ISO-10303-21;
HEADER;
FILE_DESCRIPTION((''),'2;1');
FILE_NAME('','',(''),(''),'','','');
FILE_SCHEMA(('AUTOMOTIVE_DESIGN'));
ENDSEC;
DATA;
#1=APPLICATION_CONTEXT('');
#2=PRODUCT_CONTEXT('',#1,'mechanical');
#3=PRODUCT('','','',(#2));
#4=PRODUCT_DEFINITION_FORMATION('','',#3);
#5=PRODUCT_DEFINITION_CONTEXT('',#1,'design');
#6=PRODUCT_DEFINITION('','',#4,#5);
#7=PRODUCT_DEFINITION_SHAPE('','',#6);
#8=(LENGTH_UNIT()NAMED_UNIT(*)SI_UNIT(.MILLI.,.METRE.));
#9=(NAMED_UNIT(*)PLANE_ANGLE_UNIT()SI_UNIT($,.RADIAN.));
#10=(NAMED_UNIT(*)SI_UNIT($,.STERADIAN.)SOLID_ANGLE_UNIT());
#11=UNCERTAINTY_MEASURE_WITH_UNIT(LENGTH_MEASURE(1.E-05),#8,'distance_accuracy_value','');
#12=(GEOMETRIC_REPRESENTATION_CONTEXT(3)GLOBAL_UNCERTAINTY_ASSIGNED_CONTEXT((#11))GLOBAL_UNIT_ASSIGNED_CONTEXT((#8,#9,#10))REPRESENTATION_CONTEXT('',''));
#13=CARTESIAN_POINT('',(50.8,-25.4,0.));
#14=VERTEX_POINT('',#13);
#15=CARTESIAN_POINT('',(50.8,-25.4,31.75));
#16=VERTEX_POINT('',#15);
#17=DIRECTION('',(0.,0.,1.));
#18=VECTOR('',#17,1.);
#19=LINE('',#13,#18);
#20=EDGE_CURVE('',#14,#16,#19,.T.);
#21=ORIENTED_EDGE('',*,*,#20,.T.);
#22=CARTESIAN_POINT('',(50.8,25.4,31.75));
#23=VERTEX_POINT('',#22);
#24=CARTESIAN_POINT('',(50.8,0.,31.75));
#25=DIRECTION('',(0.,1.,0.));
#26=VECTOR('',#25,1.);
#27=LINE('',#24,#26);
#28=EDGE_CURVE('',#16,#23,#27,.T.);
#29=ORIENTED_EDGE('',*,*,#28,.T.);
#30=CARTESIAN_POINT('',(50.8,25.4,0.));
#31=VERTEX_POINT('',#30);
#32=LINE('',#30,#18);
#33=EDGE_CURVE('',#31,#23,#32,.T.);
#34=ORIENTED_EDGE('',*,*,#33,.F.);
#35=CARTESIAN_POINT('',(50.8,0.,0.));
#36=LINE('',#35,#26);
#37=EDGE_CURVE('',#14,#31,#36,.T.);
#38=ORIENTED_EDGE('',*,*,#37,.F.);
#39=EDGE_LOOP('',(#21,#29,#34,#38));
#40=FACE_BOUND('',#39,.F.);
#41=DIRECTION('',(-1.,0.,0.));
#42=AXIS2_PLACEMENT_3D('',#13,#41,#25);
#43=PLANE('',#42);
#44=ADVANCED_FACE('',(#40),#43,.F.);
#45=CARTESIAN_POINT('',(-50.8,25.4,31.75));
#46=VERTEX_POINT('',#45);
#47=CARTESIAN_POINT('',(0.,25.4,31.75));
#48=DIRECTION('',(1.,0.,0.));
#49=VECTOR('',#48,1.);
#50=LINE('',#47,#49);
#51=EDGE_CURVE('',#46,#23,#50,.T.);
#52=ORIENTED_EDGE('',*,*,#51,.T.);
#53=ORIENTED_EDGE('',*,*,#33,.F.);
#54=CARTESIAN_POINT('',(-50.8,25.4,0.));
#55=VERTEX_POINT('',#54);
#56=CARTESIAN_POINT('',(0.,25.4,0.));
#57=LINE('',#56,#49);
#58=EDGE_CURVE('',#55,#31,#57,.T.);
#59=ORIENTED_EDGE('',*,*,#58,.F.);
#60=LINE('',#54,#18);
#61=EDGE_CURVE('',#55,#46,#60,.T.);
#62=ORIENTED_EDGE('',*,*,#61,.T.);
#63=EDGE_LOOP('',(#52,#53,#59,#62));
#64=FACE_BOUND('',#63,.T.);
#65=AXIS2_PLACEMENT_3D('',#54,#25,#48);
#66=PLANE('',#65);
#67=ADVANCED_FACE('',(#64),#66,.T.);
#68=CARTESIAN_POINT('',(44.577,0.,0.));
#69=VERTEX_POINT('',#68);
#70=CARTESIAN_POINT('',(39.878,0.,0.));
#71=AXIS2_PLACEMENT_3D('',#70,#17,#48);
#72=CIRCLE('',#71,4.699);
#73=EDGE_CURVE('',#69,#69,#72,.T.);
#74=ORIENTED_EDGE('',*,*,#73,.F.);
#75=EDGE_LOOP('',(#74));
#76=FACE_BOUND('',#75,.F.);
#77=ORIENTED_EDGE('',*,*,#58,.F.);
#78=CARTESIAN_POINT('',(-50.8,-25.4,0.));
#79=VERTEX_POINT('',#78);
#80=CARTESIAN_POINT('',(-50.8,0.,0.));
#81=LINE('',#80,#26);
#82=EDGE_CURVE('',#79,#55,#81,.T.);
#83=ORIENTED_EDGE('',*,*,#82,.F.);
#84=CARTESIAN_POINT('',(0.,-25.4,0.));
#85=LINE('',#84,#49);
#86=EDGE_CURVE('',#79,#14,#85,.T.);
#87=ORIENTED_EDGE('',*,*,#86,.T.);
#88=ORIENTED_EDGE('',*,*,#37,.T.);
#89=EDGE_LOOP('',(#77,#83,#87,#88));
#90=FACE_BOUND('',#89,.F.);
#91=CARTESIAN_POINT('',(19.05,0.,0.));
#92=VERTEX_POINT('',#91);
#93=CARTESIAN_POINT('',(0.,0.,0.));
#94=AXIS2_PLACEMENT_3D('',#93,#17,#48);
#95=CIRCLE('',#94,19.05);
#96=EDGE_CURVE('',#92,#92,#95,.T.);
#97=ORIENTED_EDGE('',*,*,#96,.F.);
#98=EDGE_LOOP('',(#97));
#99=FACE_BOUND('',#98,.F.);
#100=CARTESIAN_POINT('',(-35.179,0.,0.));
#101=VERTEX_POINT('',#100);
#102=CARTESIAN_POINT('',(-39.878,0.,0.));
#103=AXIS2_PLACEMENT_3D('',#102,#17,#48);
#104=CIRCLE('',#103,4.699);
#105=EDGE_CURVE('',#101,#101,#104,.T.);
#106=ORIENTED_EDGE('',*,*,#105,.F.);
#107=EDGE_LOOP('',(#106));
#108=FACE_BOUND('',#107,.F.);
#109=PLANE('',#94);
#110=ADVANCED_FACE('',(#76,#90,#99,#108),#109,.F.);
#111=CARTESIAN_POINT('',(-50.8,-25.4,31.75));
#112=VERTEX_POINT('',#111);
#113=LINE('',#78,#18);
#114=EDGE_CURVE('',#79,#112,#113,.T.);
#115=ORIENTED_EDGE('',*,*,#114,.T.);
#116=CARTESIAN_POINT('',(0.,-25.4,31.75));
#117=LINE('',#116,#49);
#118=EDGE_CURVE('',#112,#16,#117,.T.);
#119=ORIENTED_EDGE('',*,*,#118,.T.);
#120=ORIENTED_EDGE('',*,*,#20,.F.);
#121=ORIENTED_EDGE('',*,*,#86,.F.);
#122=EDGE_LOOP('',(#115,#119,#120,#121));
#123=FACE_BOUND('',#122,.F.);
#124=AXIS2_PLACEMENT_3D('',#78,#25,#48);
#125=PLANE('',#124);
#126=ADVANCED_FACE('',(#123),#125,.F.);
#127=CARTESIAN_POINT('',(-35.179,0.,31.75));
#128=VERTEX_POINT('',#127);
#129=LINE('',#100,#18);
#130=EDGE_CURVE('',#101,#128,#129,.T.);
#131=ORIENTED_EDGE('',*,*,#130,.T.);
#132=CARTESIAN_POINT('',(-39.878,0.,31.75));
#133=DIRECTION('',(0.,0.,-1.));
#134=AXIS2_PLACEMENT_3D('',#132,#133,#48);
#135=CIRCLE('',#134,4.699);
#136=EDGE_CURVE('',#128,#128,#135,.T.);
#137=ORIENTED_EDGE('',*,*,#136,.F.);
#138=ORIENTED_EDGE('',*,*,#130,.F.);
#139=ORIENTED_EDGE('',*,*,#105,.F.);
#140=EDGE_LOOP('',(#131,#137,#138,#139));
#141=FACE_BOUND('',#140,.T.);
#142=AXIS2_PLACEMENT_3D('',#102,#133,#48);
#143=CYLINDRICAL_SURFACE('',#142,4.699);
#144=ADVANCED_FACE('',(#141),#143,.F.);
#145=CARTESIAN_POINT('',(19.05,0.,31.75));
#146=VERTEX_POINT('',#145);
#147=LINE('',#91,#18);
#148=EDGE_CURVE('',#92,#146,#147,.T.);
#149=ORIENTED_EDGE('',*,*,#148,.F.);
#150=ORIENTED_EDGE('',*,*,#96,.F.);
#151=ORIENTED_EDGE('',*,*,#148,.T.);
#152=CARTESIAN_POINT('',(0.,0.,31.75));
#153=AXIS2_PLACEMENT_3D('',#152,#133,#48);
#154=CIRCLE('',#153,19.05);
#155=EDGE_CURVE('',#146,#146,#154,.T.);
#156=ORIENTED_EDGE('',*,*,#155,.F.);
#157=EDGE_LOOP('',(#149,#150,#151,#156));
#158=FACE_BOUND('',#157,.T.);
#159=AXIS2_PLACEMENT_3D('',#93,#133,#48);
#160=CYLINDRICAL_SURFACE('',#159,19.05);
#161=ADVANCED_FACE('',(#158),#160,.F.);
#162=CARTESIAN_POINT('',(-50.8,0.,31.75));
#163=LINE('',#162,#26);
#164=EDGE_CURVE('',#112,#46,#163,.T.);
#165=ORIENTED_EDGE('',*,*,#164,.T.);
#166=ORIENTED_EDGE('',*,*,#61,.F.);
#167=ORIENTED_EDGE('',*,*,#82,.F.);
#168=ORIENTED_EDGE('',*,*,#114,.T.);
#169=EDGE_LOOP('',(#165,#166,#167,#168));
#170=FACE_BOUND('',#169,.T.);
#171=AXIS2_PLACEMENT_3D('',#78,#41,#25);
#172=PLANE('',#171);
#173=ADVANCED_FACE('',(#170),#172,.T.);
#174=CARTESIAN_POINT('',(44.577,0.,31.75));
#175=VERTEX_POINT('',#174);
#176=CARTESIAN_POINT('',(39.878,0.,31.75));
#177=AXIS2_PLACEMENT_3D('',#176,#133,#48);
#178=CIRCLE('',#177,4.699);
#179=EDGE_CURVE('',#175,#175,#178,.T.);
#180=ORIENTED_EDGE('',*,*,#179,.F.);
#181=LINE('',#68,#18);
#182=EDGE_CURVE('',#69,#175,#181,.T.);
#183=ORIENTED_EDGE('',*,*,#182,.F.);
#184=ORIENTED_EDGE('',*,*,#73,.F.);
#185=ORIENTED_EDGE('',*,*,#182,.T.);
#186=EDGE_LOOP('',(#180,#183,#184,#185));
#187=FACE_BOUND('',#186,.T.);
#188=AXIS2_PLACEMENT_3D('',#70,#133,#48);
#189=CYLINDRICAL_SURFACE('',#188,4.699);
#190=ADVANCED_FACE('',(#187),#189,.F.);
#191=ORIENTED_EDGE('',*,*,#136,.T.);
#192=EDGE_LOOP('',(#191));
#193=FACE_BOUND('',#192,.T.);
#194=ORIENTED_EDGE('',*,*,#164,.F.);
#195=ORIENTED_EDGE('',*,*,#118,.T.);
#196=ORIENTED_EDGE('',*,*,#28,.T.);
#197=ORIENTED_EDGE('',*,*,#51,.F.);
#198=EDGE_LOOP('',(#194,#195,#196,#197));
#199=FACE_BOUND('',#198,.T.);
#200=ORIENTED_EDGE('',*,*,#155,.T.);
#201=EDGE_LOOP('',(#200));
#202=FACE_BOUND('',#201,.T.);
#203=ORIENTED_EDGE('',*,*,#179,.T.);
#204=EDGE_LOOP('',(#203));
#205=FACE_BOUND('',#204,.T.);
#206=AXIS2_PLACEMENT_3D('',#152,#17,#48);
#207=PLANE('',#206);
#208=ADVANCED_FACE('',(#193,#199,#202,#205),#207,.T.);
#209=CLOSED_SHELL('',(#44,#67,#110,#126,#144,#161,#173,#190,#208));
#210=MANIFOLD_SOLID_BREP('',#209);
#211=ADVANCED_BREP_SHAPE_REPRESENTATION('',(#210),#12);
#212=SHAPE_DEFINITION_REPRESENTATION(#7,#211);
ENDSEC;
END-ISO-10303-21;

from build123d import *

# Parameters (mm, degrees)
F0_W     = 101.6
F0_H     = 50.8
F1_DEPTH = 31.75
F2_R     = 19.05
F3_DEPTH = 31.751
F4_R     = 4.699
F5_DEPTH = 31.751


with BuildPart() as f1:
    # F0 (on Top) → F1 (new body)
    with BuildSketch(Plane.XY):
        Rectangle(F0_W, F0_H)
    extrude(amount=F1_DEPTH)

    # F2 (on Top) → F3 (cut, through all)
    with BuildSketch(Plane.XY):
        Circle(F2_R)
    extrude(amount=F3_DEPTH, mode=Mode.SUBTRACT)

    # F4 (on Top) → F5 (cut, through all)
    with BuildSketch(Plane.XY):
        with Locations((-39.878, 0)):
            Circle(F4_R)
        with Locations((39.878, 0)):
            Circle(F4_R)
    extrude(amount=F5_DEPTH, mode=Mode.SUBTRACT)


solid = f1.part
